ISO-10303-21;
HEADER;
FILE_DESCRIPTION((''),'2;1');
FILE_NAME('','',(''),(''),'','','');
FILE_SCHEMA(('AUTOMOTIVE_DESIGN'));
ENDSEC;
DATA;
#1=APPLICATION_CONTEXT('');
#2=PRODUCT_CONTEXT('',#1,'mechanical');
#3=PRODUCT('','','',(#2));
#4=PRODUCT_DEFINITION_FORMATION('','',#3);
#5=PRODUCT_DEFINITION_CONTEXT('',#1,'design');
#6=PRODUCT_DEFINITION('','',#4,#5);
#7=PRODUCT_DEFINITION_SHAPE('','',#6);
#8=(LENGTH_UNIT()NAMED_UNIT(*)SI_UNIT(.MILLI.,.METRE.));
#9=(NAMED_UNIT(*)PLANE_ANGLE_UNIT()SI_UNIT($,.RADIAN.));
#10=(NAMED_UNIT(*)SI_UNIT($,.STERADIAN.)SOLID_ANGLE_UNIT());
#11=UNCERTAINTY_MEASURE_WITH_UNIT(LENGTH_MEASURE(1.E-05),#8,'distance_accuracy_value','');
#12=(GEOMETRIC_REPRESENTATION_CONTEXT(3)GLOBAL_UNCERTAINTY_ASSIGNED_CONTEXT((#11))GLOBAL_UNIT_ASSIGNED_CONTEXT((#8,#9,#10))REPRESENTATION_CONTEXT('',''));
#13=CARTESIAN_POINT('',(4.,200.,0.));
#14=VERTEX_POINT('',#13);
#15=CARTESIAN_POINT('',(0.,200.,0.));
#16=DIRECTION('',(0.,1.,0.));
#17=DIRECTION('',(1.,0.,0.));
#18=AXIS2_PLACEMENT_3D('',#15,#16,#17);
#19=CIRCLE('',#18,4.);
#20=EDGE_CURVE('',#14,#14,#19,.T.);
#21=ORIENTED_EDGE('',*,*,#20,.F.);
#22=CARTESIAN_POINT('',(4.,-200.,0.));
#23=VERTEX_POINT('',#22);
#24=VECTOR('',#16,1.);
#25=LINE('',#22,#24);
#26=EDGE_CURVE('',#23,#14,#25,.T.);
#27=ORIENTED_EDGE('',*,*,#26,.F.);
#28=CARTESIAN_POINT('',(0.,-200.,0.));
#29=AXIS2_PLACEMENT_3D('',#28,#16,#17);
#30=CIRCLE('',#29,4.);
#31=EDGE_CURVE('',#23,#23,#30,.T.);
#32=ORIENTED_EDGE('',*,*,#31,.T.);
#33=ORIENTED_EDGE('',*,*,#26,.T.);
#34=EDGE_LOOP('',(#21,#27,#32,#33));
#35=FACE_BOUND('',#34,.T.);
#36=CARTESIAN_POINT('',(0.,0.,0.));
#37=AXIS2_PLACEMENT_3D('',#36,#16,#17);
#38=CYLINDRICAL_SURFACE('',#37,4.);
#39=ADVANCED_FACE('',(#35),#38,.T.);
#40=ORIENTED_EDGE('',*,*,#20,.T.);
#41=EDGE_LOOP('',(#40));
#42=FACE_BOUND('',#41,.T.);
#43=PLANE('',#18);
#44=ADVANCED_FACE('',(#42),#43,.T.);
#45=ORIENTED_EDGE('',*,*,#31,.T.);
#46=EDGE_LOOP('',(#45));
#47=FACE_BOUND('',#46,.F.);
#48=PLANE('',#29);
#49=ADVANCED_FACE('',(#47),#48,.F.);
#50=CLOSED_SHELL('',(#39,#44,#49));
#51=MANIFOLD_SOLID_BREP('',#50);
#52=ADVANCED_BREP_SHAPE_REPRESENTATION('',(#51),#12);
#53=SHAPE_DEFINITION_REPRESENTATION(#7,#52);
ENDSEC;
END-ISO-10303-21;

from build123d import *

# Parameters (mm, degrees)
SKETCH2_R           = 4
BOSS_EXTRUDE1_DEPTH = 200


with BuildPart() as part:
    # Sketch2 → Boss-Extrude1 (new body, symmetric)
    with BuildSketch(Plane(origin=(0, 0, 0), x_dir=(1, 0, 0), z_dir=(0, 1, 0))):
        Circle(SKETCH2_R)
    extrude(amount=BOSS_EXTRUDE1_DEPTH, both=True)


solid = part.part
